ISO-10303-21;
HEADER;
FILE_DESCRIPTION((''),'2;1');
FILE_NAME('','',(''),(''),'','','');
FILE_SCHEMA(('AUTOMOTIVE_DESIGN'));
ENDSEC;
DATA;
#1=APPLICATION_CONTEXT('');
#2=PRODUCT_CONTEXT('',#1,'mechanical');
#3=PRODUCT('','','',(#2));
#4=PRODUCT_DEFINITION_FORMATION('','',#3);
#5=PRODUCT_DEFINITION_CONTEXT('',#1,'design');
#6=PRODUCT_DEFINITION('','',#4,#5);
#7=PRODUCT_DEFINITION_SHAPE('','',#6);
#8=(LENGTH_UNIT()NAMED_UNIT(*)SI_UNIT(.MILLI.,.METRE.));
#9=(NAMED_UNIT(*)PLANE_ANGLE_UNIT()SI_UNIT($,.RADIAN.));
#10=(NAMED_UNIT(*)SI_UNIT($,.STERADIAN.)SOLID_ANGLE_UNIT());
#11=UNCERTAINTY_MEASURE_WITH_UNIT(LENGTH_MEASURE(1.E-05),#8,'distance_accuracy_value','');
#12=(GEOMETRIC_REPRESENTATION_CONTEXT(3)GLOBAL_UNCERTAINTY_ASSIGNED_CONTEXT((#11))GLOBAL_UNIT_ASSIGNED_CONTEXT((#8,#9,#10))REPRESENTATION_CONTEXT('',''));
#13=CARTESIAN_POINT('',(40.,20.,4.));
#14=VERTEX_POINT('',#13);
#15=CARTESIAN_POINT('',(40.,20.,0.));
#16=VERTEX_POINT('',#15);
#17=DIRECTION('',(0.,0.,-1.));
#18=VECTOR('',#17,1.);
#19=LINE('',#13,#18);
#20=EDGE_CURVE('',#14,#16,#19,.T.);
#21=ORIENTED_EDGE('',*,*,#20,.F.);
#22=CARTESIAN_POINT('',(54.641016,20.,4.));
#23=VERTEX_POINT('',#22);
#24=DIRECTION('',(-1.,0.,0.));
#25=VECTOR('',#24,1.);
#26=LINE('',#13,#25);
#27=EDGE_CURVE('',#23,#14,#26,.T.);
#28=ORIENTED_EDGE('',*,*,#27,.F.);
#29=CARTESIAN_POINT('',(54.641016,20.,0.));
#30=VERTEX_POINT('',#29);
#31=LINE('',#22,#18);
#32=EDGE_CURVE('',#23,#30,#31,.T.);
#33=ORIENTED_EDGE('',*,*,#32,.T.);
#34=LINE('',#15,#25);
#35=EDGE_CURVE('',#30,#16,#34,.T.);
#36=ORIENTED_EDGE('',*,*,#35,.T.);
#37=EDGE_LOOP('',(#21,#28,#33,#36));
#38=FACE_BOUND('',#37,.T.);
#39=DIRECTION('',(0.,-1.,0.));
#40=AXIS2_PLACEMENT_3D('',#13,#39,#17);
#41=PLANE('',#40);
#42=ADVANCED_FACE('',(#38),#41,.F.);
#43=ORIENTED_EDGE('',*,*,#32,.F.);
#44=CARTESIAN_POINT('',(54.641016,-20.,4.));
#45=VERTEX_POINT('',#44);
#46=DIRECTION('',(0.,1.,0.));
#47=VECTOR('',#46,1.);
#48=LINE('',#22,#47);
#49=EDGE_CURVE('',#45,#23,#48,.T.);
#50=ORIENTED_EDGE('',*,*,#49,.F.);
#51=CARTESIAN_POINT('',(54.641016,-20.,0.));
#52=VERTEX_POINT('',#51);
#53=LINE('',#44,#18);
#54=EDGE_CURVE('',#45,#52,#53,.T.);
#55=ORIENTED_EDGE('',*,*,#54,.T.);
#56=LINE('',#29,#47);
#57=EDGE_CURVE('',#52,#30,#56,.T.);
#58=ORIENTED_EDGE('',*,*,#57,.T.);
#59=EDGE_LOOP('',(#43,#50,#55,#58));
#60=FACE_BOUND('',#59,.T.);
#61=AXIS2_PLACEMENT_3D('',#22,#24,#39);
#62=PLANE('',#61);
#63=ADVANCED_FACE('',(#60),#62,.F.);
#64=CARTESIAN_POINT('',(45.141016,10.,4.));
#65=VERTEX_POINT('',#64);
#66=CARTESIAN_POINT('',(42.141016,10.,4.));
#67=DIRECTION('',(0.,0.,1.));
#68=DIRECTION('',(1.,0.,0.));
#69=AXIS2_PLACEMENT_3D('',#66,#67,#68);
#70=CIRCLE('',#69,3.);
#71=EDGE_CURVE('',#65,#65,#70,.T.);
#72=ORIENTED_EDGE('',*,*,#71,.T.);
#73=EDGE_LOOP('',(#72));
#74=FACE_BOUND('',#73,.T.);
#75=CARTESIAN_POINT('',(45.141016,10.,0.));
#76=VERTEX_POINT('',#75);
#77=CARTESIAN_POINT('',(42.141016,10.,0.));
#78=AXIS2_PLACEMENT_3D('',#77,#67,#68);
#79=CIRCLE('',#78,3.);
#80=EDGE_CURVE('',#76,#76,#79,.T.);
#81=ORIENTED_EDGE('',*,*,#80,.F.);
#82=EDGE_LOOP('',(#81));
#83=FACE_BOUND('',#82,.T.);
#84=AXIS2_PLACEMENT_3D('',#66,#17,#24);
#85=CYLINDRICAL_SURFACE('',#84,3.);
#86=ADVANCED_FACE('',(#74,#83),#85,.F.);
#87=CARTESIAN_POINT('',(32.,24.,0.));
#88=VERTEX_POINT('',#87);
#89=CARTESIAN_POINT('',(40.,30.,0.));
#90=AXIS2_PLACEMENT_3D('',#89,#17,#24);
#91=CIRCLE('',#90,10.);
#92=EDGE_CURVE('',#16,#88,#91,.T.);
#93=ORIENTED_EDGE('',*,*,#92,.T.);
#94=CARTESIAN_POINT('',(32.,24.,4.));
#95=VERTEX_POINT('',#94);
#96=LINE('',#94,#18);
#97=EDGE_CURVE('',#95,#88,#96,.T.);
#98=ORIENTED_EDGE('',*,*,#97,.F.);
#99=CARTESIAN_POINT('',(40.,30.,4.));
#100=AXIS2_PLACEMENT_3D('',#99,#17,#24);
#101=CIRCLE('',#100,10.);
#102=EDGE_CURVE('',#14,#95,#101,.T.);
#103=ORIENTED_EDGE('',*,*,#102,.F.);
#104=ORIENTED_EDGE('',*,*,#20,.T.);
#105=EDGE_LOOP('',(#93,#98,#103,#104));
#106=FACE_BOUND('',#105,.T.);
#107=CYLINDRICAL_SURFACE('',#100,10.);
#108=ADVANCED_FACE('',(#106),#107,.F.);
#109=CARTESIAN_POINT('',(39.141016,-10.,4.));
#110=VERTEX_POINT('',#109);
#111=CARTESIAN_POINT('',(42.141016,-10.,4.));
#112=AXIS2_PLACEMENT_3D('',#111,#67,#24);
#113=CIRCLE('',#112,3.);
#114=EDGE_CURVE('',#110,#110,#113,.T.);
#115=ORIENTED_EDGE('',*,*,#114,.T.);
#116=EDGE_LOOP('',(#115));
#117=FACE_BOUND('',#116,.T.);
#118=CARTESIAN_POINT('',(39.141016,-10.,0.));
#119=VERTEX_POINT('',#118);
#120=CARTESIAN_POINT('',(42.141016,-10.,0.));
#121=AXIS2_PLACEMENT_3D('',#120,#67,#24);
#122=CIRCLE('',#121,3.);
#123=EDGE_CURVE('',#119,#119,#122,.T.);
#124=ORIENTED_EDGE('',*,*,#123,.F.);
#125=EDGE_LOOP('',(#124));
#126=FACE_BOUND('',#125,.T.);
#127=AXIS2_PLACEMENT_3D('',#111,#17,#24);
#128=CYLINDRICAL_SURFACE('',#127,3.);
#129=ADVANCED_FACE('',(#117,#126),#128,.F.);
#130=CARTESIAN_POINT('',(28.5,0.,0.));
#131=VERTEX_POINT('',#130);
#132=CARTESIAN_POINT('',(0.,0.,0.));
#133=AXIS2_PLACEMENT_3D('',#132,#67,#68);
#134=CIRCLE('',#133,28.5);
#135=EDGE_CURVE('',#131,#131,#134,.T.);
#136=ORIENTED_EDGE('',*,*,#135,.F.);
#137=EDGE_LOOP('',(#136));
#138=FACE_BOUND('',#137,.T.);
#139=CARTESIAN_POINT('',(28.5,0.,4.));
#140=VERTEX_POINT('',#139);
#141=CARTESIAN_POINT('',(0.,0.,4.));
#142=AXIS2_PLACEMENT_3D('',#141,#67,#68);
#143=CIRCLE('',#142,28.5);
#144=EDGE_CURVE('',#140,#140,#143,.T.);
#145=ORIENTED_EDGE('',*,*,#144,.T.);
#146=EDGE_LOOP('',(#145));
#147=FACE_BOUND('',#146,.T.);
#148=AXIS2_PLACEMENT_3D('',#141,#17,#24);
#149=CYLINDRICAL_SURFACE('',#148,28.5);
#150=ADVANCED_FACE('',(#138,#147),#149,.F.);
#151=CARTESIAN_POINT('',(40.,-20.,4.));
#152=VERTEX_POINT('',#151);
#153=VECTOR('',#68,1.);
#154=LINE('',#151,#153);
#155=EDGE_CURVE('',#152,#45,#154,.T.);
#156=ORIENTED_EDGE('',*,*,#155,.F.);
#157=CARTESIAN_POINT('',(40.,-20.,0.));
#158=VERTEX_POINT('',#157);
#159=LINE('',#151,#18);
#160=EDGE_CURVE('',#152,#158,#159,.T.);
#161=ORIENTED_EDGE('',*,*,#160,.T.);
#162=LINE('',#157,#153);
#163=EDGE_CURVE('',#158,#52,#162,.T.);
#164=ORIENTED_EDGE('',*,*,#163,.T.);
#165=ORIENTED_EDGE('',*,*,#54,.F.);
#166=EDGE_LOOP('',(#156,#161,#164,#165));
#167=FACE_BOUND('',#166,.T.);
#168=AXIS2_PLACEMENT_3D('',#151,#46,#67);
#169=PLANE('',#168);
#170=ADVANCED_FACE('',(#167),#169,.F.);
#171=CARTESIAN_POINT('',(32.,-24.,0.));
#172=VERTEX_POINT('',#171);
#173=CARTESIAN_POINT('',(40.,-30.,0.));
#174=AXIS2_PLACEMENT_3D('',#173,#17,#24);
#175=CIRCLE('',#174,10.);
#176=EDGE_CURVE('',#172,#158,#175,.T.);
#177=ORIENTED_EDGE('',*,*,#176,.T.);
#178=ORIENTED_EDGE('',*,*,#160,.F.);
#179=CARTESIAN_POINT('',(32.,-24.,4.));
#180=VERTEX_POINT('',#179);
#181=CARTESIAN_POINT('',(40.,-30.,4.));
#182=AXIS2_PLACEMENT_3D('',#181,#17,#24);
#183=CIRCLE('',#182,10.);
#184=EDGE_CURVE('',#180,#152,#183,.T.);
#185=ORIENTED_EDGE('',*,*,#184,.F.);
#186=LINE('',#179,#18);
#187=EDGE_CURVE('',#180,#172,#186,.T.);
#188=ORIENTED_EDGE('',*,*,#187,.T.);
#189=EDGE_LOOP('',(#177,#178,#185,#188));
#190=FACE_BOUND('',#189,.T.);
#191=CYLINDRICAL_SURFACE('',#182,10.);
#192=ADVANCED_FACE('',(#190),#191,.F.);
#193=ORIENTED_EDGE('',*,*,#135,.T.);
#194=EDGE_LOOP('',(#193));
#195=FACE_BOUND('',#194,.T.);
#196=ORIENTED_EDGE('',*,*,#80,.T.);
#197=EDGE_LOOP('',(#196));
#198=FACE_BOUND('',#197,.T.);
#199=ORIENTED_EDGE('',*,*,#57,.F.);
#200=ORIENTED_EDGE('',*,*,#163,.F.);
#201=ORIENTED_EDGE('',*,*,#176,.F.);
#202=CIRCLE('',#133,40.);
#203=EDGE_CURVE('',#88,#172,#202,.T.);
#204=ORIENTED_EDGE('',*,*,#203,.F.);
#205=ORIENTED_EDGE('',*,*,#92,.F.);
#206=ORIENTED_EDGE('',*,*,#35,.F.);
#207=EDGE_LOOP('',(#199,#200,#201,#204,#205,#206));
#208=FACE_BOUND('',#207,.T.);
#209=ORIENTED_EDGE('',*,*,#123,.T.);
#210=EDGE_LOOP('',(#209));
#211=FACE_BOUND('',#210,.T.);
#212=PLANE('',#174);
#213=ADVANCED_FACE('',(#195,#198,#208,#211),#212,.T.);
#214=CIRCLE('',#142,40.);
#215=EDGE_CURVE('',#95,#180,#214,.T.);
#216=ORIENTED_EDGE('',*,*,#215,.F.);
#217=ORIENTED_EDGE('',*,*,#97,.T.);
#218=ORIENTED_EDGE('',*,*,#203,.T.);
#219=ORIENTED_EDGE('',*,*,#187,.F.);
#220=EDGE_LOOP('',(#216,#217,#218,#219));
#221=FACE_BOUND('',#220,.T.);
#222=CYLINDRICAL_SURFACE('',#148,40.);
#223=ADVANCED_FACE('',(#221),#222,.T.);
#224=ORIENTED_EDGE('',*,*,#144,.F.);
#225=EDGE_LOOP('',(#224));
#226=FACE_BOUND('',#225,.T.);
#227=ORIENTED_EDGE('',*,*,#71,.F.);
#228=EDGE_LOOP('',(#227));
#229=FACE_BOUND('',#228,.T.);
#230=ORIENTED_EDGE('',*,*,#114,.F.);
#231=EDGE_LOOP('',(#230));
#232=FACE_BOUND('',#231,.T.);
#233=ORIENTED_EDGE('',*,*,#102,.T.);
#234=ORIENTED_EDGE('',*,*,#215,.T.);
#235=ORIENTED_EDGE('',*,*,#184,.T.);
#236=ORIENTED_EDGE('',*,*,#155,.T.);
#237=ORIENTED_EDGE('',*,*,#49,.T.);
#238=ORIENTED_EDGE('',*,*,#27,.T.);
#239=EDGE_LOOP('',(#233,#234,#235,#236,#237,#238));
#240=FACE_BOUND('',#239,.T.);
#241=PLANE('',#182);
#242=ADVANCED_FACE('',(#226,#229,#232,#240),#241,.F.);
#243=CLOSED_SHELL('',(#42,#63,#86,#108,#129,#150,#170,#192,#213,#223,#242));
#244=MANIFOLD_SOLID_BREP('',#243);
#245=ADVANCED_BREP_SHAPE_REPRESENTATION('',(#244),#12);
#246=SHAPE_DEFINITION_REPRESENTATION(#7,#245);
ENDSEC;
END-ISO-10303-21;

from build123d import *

# Parameters (mm, degrees)
ESQUISSE2_R        = 28.5
ESQUISSE2_R_2      = 3
BOSS_EXTRU_1_DEPTH = 4


with BuildPart() as part:
    # Esquisse2 → Boss.-Extru.1 (new body)
    with BuildSketch(Plane.XY):
        with BuildLine():
            Line((40, 20), (54.641016151, 20))
            Line((54.641016151, 20), (54.641016151, -20))
            Line((54.641016151, -20), (40, -20))
            ThreePointArc((40, -20), (35.527864045, -21.05572809), (32, -24))
            ThreePointArc((32, -24), (-40, 0), (32, 24))
            ThreePointArc((32, 24), (35.527864045, 21.05572809), (40, 20))
        make_face()
        Circle(ESQUISSE2_R, mode=Mode.SUBTRACT)
        with Locations((42.141016151, 10)):
            Circle(ESQUISSE2_R_2, mode=Mode.SUBTRACT)
        with Locations(Location((42.141016151, -10, 0), (0, 0, 180))):
            Circle(ESQUISSE2_R_2, mode=Mode.SUBTRACT)
    extrude(amount=BOSS_EXTRU_1_DEPTH)


solid = part.part
